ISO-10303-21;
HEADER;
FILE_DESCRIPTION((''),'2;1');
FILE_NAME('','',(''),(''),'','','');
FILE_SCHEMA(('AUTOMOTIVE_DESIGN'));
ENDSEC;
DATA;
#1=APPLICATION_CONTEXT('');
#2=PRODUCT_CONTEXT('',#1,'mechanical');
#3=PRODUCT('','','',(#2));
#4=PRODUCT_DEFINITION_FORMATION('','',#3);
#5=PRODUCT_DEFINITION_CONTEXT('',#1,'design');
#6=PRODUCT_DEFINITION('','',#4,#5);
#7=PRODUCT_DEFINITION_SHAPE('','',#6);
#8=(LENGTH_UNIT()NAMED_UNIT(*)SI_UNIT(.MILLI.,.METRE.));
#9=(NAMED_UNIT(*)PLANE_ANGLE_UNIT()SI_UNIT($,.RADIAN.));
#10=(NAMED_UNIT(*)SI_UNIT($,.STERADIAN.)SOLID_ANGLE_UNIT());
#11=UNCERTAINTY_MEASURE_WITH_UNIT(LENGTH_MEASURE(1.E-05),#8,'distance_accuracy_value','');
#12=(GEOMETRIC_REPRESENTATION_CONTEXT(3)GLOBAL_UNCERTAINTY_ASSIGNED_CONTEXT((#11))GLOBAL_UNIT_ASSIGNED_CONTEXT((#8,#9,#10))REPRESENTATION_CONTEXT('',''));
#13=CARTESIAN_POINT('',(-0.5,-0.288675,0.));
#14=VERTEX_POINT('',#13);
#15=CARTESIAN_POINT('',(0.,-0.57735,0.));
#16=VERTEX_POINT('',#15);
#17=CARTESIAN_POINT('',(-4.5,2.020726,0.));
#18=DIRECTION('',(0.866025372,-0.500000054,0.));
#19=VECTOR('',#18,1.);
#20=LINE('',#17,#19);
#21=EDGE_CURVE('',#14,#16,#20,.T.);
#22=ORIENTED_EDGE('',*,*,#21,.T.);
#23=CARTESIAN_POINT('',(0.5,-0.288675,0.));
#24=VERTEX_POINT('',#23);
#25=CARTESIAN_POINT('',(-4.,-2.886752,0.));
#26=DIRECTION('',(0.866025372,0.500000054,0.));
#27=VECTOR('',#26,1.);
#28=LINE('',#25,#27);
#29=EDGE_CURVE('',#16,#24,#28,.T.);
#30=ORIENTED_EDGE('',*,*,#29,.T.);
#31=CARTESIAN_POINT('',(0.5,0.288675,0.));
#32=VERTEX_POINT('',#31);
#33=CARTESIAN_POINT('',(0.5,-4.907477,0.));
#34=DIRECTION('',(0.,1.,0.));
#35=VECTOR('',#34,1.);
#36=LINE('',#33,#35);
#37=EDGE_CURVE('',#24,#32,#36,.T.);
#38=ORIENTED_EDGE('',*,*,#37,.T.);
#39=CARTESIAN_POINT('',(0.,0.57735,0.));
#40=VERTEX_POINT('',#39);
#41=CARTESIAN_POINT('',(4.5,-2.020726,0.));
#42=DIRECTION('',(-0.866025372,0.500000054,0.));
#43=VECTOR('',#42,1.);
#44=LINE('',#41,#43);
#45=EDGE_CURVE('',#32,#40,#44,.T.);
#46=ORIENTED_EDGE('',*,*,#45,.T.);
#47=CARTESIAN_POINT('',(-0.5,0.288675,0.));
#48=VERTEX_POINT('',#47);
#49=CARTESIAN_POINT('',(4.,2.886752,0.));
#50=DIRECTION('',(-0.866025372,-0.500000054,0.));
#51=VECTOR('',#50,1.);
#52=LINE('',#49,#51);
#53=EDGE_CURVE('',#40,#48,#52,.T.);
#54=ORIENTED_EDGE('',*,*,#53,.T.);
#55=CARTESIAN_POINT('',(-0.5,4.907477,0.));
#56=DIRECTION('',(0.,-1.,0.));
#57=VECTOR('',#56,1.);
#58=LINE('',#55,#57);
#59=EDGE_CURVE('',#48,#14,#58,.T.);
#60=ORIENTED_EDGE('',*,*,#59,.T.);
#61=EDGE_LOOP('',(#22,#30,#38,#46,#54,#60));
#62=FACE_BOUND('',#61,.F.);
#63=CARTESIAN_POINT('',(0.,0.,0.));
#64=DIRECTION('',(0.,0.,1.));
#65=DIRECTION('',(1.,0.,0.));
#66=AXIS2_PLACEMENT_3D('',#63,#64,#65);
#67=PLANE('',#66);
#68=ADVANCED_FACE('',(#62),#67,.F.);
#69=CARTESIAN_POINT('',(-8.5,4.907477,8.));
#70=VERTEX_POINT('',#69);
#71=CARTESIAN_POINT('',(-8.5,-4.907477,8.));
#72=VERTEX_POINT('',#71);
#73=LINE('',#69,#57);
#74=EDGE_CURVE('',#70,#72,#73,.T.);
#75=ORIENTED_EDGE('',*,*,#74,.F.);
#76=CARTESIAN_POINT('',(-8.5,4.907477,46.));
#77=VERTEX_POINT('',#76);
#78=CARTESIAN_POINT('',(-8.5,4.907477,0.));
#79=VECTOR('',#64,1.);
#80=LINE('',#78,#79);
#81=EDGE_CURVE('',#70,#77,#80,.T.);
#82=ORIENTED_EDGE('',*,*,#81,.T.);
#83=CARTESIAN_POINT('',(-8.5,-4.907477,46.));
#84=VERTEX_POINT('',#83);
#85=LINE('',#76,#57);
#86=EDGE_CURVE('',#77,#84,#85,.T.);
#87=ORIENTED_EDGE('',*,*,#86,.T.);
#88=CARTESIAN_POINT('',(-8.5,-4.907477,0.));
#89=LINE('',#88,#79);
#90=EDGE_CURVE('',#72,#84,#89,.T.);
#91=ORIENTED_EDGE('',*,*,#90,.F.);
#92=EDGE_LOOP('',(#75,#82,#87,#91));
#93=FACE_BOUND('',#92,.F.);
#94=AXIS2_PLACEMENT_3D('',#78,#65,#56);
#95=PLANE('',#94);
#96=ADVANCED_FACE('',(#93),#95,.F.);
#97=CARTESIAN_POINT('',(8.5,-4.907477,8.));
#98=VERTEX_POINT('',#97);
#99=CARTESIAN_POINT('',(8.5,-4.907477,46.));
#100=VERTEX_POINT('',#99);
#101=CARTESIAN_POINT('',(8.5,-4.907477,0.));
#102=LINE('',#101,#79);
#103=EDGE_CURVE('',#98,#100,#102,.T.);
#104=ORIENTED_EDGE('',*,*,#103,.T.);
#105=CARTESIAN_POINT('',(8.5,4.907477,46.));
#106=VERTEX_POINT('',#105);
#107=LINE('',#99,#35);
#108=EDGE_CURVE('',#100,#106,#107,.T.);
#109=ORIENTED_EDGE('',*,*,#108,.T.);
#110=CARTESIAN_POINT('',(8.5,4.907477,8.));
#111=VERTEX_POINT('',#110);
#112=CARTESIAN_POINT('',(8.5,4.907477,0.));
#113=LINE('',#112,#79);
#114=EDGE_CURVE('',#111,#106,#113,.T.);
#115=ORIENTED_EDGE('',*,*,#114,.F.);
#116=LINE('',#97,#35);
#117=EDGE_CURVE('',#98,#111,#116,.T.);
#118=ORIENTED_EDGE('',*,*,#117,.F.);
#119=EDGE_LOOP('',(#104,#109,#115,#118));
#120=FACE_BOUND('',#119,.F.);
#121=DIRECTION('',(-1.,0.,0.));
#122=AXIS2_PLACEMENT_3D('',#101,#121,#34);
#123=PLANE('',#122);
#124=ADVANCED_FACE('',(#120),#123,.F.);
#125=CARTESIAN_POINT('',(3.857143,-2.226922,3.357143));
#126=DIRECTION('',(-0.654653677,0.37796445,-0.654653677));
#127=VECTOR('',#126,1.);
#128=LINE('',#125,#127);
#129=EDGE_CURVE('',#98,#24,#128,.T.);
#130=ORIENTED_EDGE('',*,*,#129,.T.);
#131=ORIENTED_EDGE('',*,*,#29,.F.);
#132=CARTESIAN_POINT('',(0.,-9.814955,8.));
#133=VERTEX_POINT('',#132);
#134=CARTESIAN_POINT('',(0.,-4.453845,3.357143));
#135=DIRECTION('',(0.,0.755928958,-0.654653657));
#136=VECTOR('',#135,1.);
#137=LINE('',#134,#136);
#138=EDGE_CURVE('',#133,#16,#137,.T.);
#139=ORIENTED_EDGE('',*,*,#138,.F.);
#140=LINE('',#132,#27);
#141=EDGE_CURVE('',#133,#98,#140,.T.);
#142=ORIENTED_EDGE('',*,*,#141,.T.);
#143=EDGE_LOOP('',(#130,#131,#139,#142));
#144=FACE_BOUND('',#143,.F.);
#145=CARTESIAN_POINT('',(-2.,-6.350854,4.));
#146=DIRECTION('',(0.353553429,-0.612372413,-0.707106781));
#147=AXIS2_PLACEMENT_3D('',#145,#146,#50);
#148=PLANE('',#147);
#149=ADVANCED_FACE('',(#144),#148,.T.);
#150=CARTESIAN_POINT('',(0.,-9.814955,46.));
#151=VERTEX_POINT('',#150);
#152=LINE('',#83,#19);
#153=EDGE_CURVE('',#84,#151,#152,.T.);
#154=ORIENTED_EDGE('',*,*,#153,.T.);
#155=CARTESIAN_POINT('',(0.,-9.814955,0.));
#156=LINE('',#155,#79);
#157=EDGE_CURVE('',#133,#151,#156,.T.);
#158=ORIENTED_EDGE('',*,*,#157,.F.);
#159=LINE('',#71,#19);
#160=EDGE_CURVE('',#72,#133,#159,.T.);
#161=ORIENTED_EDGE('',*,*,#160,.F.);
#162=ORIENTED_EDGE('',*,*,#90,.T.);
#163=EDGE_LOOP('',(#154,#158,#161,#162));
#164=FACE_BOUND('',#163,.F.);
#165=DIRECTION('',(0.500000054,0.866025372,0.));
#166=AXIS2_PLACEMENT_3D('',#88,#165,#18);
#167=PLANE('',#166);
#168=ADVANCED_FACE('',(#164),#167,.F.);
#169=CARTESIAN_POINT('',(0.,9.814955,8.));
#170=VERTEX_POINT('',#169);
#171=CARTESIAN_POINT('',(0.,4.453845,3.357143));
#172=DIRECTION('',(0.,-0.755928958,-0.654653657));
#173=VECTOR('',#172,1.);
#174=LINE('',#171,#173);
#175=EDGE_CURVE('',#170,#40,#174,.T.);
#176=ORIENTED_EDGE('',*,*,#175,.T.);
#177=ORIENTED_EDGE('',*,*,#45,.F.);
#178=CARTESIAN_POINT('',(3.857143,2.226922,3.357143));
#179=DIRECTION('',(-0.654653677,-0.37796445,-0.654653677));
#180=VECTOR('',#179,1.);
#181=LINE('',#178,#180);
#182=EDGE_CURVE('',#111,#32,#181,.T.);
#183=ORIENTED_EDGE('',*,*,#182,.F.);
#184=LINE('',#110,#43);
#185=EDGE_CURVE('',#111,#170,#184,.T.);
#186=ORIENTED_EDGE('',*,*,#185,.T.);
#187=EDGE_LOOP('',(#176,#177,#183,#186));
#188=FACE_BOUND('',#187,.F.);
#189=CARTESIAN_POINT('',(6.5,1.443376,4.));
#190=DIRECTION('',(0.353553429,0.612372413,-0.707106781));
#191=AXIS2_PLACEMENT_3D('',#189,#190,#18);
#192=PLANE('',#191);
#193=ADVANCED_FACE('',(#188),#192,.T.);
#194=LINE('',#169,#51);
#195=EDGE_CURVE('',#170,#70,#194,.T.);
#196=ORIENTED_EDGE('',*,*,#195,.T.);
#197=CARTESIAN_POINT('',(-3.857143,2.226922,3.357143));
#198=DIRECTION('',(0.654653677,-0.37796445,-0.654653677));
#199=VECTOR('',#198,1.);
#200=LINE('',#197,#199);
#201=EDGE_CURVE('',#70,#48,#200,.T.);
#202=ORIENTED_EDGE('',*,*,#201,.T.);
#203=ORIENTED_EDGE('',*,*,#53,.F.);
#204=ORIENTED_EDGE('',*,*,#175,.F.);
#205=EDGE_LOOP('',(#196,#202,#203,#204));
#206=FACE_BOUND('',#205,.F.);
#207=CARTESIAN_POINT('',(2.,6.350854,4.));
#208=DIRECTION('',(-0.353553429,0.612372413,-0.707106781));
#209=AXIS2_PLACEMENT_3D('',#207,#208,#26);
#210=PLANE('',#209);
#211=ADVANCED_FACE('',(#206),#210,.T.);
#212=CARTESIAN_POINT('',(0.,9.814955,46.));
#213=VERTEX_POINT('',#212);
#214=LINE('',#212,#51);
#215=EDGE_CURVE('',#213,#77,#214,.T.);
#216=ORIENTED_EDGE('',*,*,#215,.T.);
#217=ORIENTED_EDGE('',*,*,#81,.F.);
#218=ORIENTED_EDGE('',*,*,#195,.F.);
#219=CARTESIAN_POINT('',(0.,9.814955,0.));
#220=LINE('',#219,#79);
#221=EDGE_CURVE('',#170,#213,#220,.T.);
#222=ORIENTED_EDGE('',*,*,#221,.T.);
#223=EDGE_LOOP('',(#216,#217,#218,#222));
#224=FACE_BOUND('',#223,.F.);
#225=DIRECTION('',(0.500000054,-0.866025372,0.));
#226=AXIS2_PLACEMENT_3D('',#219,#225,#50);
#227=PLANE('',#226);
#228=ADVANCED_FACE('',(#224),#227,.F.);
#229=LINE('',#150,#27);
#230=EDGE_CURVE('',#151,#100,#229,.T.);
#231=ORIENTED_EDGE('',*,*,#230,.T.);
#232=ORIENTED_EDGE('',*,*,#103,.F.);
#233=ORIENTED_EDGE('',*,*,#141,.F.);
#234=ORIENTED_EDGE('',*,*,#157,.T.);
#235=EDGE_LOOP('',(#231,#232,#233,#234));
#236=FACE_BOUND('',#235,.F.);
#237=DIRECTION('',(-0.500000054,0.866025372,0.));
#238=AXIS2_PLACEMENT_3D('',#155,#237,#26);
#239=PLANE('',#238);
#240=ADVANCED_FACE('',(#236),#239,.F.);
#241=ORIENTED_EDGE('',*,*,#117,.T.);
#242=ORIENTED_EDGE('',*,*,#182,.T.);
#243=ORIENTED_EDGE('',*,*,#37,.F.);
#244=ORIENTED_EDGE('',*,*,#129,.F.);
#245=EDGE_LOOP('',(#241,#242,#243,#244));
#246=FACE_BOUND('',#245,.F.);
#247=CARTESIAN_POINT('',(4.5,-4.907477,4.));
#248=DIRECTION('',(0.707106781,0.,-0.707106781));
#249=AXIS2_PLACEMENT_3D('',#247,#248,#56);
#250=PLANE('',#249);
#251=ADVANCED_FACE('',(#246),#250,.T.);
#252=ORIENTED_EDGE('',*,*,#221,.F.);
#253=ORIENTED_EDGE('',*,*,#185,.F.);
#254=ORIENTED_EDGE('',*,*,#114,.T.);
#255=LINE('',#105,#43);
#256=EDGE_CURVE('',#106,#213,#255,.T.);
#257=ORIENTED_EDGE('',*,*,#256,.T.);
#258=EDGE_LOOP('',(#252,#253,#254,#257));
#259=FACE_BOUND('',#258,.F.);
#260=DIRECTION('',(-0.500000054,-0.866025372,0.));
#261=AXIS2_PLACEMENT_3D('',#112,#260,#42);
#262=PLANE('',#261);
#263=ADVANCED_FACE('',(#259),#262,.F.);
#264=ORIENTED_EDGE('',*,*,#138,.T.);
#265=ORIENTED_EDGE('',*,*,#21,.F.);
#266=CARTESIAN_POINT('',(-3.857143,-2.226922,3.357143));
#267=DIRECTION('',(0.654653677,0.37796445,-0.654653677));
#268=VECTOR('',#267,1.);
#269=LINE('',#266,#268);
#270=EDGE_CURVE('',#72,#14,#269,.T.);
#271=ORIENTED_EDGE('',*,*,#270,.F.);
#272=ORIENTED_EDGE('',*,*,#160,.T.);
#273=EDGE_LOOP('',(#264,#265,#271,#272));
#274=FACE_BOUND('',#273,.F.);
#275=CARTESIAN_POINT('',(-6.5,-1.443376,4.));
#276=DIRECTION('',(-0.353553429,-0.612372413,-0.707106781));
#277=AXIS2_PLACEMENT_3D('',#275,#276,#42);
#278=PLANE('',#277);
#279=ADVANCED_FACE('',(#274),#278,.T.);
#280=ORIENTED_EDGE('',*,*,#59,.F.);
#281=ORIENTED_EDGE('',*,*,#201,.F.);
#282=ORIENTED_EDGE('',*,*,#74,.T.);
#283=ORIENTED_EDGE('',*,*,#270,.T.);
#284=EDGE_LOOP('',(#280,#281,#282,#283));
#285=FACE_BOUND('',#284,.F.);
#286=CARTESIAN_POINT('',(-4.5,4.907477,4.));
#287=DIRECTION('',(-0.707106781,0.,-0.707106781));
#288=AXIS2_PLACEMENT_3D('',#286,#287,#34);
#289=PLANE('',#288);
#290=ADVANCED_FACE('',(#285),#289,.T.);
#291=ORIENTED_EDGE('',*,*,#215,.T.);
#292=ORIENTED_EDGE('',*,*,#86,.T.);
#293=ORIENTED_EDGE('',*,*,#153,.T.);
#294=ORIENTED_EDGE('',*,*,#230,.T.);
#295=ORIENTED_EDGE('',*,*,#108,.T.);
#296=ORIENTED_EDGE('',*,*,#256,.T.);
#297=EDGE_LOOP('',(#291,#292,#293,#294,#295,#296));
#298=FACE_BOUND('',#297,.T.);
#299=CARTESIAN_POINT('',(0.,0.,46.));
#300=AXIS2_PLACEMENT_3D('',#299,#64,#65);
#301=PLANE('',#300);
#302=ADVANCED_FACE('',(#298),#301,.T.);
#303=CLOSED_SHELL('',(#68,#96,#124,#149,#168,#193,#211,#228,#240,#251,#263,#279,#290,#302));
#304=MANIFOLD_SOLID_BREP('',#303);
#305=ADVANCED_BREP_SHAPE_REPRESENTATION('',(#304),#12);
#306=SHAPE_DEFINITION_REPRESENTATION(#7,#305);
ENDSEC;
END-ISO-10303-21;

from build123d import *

# Parameters (mm, degrees)
F1_DEPTH = 46
F2_SIZE  = 8


with BuildPart() as f1:
    # F0 (on Top) → F1 (new body)
    with BuildSketch(Plane.XY):
        Polygon((0, -9.814955), (8.5, -4.907477), (8.5, 4.907477), (0, 9.814955), (-8.5, 4.907477), (-8.5, -4.907477), align=None)
    extrude(amount=F1_DEPTH)

    # F2
    f2_edges = [f1.edges().sort_by_distance(p)[0] for p in [
        (4.25, -7.361216, 0),
        (-4.25, -7.361216, 0),
        (-4.25, 7.361216, 0),
        (-8.5, 0, 0),
        (4.25, 7.361216, 0),
        (8.5, 0, 0),
    ]]
    chamfer(f2_edges, length=F2_SIZE)


solid = f1.part
